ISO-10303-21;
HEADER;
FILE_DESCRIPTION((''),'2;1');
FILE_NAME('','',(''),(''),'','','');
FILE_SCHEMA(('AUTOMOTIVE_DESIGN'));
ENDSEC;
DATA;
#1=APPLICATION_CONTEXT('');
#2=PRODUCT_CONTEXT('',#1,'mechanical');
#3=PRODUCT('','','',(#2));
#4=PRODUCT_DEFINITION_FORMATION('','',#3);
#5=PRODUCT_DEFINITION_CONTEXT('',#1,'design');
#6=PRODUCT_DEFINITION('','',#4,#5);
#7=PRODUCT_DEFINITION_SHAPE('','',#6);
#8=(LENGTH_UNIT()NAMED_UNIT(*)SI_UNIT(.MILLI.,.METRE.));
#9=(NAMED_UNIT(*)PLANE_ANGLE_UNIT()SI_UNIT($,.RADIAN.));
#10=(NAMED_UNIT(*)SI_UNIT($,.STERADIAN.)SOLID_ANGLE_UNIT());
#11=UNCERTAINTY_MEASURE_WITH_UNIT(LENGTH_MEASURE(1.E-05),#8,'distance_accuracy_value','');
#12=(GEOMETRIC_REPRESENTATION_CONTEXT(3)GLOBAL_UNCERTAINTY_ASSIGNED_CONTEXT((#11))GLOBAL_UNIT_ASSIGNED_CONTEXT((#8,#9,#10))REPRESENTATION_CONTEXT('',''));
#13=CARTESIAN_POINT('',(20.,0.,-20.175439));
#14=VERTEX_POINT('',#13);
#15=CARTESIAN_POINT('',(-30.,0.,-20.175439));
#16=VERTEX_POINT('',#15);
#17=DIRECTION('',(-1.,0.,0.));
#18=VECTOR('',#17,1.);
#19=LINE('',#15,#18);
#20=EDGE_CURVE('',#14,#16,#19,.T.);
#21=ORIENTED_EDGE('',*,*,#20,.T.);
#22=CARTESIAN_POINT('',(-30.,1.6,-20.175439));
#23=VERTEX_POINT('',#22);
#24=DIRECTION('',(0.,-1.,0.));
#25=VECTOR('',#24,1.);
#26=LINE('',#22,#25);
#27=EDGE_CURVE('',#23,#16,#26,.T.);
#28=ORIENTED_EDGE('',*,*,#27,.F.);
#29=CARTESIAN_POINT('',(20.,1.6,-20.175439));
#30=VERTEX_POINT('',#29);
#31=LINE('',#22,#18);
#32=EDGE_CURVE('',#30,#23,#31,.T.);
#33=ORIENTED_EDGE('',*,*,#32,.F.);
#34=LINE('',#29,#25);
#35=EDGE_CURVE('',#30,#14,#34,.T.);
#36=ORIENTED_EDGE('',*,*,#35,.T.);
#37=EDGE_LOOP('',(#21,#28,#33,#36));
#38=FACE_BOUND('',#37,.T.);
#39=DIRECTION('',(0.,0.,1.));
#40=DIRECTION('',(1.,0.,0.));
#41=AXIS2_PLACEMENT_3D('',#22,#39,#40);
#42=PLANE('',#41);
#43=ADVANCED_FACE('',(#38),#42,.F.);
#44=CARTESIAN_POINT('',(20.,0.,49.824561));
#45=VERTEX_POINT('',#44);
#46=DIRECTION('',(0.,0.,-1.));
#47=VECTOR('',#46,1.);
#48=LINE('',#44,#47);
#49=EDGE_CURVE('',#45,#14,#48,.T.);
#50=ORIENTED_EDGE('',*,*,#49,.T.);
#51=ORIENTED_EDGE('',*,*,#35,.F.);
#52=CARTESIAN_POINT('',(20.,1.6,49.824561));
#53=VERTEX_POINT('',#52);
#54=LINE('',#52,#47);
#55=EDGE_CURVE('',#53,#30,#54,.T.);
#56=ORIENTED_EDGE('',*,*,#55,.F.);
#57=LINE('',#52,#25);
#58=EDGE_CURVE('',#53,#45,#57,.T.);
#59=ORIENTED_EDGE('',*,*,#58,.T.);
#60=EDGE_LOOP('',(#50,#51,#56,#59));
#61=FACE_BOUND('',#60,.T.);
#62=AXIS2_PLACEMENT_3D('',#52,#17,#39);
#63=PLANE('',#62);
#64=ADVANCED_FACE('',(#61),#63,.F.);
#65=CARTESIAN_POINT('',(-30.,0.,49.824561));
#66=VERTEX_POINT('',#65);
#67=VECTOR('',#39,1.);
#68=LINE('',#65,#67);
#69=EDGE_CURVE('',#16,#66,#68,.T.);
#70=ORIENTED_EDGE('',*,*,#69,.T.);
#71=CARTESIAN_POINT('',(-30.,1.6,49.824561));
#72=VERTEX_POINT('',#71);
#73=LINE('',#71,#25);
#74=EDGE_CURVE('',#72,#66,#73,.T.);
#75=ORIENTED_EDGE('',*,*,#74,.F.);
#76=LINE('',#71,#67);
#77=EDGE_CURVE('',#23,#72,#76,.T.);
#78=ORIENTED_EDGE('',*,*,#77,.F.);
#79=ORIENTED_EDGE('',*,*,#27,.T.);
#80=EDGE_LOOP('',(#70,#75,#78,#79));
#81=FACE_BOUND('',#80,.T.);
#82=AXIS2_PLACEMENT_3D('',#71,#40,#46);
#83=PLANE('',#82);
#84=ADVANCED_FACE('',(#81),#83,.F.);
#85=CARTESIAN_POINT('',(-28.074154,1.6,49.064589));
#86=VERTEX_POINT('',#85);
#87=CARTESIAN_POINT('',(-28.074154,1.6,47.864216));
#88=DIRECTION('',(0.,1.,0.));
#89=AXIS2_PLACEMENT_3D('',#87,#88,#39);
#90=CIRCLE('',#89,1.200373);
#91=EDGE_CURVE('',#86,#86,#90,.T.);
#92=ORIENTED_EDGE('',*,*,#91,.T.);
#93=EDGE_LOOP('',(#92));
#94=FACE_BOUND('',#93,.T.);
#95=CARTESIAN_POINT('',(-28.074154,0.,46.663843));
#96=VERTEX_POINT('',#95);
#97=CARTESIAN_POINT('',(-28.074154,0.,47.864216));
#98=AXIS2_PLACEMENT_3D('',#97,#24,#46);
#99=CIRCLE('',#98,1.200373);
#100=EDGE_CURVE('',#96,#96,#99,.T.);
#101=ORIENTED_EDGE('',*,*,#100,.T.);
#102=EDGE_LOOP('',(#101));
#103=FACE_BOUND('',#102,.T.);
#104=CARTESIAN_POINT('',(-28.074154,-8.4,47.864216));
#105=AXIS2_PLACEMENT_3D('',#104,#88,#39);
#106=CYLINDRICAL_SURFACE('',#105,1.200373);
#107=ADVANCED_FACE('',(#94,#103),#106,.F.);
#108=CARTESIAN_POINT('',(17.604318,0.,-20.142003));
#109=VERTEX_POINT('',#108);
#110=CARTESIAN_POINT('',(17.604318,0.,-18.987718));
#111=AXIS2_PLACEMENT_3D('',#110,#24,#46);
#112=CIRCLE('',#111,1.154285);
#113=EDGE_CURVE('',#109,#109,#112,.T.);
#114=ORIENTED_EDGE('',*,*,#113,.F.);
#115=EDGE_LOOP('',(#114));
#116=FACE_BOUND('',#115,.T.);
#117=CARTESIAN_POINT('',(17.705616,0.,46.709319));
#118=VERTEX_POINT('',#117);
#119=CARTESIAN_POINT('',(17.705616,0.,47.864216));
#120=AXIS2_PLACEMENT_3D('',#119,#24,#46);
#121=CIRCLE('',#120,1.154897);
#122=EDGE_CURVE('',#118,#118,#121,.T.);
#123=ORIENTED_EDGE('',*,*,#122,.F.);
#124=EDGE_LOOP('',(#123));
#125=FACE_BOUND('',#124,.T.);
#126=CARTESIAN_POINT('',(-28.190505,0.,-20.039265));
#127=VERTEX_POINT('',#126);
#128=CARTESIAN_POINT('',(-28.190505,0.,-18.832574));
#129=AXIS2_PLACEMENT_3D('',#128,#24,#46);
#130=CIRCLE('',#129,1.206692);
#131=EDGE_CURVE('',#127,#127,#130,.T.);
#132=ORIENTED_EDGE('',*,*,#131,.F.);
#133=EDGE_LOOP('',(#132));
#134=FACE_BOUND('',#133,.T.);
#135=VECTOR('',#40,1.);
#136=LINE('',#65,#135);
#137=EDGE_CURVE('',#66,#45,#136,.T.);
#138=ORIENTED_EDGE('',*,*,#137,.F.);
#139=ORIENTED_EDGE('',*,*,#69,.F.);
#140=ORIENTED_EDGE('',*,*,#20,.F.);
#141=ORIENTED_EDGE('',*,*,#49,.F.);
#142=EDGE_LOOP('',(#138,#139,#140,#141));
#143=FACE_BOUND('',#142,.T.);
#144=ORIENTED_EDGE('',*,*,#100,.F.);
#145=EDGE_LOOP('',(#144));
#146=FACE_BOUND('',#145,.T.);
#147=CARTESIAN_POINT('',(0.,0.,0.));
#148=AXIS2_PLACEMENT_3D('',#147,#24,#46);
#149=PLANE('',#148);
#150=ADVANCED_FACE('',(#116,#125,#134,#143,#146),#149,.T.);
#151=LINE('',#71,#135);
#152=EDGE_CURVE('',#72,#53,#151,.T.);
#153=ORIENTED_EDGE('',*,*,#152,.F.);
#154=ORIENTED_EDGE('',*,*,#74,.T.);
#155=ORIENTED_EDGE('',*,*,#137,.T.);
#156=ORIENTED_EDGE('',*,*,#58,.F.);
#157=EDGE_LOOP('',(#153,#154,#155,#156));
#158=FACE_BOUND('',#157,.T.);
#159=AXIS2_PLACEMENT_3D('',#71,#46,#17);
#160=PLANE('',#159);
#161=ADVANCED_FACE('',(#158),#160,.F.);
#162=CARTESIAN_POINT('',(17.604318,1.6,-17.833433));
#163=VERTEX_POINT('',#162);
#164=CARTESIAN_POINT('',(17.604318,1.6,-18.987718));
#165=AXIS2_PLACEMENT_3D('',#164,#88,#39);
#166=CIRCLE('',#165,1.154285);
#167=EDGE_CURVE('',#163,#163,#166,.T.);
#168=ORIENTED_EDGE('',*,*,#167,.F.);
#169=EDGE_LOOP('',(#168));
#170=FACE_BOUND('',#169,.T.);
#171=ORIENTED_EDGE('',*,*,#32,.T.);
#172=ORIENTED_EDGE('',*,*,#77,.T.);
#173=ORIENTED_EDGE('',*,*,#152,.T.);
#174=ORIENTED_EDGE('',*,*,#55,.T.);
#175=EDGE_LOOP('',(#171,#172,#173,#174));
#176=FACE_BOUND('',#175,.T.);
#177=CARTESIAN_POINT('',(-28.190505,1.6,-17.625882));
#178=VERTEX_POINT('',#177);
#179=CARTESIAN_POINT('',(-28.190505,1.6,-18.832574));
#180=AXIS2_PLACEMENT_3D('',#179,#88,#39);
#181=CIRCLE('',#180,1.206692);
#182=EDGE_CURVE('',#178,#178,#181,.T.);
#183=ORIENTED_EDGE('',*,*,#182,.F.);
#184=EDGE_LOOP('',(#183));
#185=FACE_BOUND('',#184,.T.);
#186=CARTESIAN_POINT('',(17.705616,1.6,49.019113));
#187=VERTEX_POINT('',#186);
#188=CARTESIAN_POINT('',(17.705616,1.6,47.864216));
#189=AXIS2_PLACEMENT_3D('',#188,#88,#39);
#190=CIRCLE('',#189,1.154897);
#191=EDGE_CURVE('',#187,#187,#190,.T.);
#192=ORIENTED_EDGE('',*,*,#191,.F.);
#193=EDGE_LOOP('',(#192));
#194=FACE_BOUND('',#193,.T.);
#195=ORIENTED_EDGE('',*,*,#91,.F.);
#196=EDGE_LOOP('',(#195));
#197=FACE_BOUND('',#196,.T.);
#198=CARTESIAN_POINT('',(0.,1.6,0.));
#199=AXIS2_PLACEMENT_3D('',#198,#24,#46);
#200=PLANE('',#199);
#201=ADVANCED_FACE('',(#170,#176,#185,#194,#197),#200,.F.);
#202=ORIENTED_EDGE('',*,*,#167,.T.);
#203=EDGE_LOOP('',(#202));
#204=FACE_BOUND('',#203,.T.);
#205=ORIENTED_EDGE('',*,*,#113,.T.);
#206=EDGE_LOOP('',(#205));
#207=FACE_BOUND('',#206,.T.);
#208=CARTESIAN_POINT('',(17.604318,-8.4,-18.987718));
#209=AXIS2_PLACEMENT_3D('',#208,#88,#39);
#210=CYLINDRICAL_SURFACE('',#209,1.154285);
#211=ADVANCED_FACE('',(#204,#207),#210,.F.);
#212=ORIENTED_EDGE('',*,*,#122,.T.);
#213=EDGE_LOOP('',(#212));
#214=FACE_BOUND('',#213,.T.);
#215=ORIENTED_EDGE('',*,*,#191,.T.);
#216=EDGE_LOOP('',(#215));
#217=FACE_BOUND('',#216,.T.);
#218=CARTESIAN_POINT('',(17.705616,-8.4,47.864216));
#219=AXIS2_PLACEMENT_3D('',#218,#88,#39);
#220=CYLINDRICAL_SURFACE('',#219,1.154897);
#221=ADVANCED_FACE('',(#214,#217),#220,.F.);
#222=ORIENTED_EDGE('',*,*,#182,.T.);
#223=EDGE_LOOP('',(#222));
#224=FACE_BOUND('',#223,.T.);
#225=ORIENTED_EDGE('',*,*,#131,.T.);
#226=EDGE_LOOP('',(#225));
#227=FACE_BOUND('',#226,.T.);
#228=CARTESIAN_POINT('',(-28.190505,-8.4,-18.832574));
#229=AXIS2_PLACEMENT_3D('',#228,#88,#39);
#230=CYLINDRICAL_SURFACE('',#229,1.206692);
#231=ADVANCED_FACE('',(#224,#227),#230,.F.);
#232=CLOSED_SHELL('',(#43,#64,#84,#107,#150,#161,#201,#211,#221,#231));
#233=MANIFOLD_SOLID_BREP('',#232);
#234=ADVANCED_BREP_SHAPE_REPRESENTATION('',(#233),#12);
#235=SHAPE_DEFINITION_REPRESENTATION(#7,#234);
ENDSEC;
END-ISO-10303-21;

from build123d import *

# Parameters (mm, degrees)
SKETCH1_W           = 50
SKETCH1_H           = 70
BOSS_EXTRUDE1_DEPTH = 1.6
SKETCH2_R           = 1.206691902
SKETCH2_R_2         = 1.154285223
SKETCH2_R_3         = 1.1548972
SKETCH2_R_4         = 1.200373214
CUT_EXTRUDE1_DEPTH  = 10


with BuildPart() as part:
    # Sketch1 → Boss-Extrude1 (new body)
    with BuildSketch(Plane(origin=(0, 0, 0), x_dir=(1, 0, 0), z_dir=(0, 1, 0))):
        with Locations((-5, -14.824561404)):
            Rectangle(SKETCH1_W, SKETCH1_H)
    extrude(amount=BOSS_EXTRUDE1_DEPTH)

    # Sketch2 → Cut-Extrude1 (cut)
    with BuildSketch(Plane(origin=(0, 1.6, 0), x_dir=(1, 0, 0), z_dir=(0, 1, 0))):
        with Locations((-28.190504792, 18.832573543)):
            Circle(SKETCH2_R)
        with Locations((17.604318255, 18.987717923)):
            Circle(SKETCH2_R_2)
        with Locations((17.705615947, -47.864216218)):
            Circle(SKETCH2_R_3)
        with Locations((-28.074153704, -47.864216218)):
            Circle(SKETCH2_R_4)
    extrude(amount=-CUT_EXTRUDE1_DEPTH, mode=Mode.SUBTRACT)


solid = part.part
